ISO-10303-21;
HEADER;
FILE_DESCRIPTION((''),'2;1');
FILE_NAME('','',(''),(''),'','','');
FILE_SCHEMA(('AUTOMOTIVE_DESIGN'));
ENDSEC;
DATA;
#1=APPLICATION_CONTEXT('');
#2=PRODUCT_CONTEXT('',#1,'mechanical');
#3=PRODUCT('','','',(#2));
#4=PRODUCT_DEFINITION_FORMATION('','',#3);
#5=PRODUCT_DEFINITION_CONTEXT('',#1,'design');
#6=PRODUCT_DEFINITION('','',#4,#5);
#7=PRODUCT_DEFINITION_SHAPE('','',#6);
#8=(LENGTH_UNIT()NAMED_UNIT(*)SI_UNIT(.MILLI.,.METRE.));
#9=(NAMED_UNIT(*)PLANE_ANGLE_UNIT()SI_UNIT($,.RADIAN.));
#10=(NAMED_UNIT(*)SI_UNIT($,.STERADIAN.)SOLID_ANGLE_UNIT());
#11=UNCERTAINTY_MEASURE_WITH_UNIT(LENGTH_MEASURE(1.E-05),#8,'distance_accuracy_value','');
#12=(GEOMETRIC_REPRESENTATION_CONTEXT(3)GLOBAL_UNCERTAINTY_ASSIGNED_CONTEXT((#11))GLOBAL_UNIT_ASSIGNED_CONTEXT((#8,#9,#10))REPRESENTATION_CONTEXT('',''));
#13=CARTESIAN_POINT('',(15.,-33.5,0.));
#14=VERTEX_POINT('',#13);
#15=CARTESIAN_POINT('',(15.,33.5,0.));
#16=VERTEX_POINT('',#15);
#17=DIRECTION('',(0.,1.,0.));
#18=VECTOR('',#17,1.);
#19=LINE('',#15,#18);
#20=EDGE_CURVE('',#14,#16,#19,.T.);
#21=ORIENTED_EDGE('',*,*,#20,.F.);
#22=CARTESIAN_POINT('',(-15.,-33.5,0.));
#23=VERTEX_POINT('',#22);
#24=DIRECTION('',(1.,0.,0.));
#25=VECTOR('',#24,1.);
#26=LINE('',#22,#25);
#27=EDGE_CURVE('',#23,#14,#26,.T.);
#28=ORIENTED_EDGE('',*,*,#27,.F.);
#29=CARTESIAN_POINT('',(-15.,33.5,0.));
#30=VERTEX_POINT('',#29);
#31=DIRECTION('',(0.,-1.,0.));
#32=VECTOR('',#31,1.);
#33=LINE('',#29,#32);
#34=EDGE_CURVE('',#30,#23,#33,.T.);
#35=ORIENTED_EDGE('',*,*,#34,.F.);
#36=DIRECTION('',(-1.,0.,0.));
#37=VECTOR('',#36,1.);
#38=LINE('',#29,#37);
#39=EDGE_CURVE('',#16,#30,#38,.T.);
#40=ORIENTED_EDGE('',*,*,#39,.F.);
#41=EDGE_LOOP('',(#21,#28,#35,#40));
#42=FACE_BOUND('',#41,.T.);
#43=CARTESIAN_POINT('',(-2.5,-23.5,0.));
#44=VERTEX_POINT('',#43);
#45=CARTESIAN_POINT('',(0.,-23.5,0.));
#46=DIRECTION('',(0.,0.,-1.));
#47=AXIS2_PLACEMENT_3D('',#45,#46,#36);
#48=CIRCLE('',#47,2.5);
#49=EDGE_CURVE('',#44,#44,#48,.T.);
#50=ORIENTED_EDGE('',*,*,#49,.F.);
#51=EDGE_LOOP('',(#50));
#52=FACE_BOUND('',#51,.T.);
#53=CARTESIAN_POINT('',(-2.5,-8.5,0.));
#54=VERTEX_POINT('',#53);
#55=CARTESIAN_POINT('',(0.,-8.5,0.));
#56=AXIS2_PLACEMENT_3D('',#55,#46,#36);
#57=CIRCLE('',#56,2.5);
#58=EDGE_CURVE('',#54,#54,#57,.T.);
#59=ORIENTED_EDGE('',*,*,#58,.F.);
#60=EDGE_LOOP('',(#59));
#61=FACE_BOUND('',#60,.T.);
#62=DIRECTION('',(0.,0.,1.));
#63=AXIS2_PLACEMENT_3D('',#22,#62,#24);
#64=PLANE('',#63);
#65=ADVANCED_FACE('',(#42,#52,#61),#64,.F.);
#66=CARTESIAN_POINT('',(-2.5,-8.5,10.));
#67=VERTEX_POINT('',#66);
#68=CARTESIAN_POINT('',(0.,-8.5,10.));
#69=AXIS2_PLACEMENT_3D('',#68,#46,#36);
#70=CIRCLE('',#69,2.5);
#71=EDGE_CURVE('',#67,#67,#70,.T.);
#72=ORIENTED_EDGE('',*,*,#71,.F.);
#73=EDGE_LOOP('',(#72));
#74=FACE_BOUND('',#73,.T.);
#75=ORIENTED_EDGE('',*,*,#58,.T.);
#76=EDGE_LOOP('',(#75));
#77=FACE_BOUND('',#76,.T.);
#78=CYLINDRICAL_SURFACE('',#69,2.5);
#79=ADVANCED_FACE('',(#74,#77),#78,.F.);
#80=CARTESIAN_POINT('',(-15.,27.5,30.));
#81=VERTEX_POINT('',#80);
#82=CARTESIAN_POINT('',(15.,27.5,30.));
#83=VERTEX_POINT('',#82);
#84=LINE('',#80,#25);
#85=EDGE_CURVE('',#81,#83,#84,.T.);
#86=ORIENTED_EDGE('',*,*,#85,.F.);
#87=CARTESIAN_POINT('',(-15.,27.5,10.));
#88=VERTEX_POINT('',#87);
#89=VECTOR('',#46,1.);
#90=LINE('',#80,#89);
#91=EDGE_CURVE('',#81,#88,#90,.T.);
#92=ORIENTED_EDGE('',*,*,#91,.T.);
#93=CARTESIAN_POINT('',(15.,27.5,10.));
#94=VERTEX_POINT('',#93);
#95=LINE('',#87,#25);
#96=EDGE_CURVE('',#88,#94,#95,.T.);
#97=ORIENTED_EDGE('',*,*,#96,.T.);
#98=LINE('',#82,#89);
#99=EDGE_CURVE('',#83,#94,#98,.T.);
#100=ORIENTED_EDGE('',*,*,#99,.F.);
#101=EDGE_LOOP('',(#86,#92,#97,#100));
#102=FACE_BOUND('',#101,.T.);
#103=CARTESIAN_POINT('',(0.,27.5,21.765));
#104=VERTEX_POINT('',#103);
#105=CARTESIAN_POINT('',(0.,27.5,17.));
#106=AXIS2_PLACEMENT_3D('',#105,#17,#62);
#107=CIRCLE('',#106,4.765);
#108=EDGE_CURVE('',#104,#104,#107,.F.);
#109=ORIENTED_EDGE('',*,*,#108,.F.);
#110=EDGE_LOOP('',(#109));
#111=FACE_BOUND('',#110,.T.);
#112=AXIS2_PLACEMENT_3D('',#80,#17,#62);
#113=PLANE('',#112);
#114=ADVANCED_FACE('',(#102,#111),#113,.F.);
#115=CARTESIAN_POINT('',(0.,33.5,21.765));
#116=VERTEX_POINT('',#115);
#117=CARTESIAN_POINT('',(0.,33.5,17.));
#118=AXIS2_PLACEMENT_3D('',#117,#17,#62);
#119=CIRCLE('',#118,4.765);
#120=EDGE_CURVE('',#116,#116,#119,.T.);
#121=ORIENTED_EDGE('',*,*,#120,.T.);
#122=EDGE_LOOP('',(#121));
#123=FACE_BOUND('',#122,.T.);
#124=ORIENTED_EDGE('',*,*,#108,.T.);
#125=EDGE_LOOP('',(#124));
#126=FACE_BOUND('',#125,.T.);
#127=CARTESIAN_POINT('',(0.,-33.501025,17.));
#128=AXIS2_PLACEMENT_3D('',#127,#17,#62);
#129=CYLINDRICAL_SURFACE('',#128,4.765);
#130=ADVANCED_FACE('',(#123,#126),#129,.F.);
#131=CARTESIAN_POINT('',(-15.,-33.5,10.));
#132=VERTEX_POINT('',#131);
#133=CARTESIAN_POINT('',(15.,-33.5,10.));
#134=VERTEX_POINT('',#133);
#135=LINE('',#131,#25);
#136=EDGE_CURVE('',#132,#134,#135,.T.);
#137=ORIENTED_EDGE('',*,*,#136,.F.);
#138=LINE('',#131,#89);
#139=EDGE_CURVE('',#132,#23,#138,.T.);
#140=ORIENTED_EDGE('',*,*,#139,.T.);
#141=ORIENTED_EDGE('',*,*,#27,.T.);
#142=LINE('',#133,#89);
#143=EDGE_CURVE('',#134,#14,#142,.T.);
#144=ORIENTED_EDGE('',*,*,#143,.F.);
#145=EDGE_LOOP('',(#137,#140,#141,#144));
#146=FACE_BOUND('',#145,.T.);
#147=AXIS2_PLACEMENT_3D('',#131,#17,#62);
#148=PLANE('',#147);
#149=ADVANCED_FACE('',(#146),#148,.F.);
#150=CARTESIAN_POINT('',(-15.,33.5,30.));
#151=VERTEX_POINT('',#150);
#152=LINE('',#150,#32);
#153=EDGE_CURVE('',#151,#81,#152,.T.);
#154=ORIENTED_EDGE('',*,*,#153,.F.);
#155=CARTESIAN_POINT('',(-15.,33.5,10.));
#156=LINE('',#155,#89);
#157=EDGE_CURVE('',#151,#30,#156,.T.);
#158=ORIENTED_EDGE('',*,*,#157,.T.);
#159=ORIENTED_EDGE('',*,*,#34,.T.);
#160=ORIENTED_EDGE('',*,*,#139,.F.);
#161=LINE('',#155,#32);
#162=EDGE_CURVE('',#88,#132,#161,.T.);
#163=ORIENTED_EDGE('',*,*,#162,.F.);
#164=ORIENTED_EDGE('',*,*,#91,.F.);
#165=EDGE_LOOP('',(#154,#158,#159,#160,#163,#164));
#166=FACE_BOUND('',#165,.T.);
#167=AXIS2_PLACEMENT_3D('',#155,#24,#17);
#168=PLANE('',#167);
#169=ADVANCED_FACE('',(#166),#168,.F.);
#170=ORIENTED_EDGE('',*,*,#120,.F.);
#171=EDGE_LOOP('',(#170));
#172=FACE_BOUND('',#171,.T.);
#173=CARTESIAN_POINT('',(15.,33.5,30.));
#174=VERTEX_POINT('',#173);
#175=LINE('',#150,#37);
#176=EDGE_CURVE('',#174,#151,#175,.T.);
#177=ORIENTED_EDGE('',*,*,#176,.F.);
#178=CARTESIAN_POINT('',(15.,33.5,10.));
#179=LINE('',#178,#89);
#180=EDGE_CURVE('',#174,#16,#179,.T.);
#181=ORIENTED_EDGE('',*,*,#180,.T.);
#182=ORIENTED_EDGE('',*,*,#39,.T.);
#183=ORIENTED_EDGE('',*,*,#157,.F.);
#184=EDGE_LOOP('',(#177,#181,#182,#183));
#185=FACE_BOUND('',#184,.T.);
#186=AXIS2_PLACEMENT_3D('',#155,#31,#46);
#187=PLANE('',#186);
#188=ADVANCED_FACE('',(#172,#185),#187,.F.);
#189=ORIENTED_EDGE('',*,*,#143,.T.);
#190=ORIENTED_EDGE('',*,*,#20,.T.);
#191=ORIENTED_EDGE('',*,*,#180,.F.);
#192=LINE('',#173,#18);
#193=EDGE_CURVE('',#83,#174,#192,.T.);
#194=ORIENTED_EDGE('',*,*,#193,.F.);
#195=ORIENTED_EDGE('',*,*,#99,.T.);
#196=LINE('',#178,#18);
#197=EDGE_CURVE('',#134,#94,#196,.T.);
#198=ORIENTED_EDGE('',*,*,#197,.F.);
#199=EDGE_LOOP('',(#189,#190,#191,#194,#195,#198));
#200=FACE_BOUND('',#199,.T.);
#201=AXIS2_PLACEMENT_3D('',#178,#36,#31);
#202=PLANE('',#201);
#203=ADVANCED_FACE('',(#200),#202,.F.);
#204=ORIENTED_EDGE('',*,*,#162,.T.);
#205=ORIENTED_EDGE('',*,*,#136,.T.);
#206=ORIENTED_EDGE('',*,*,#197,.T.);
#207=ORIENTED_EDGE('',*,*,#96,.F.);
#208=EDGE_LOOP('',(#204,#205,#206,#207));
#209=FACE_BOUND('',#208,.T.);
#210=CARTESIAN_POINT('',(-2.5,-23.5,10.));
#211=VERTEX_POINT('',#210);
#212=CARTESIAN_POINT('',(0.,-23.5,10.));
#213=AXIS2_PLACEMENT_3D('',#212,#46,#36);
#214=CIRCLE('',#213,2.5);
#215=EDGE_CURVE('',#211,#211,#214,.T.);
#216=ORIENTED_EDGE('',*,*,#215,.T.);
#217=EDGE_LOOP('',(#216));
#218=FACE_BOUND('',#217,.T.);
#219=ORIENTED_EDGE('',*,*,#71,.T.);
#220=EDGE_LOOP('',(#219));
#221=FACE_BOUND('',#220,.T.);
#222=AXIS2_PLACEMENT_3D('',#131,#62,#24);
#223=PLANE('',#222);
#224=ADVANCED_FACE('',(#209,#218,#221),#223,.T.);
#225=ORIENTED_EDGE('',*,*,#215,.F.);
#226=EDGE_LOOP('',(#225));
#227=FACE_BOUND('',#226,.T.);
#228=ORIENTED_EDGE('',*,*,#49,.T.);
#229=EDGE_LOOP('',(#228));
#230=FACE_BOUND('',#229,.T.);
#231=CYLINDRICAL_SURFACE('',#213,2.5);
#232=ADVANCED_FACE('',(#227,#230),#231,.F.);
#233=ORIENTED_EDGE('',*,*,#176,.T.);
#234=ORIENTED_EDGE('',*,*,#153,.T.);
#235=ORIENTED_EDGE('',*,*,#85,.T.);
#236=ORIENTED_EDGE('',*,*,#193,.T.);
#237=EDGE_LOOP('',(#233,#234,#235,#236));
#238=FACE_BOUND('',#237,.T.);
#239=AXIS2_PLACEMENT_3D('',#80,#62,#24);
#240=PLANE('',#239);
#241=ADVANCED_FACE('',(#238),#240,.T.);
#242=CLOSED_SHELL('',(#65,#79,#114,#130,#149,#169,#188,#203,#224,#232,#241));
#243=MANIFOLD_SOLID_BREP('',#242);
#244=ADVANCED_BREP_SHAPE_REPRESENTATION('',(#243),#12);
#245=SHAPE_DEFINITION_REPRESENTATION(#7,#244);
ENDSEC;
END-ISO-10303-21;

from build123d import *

# Parameters (mm, degrees)
ESBO_O1_W                = 30
ESBO_O1_H                = 67
RESSALTO_EXTRUS_O1_DEPTH = 10
ESBO_O2_W                = 30
ESBO_O2_H                = 6
RESSALTO_EXTRUS_O2_DEPTH = 20
CORTE_EXTRUS_O1_REACH    = 76.927
ESBO_O3_R                = 4.765
ESBO_O4_R                = 2.5
CORTE_EXTRUS_O2_DEPTH    = 10


with BuildPart() as part:
    # Esboço1 → Ressalto-extrusão1 (new body)
    with BuildSketch(Plane.XY):
        Rectangle(ESBO_O1_W, ESBO_O1_H)
    extrude(amount=RESSALTO_EXTRUS_O1_DEPTH)

    # Esboço2 → Ressalto-extrusão2 (add)
    with BuildSketch(Plane.XY.offset(10)):
        with Locations((0, 30.5)):
            Rectangle(ESBO_O2_W, ESBO_O2_H)
    extrude(amount=RESSALTO_EXTRUS_O2_DEPTH)

    # Esboço3 → Corte-extrusão1 (cut, up to next)
    with BuildSketch(Plane(origin=(0, 33.5, 0), x_dir=(1, 0, 0), z_dir=(0, 1, 0)), mode=Mode.PRIVATE) as corte_extrus_o1_sk1:
        with Locations(Location((0, -17, 0), (0, 0, 270))):
            Circle(ESBO_O3_R)
    corte_extrus_o1_tool1 = extrude(corte_extrus_o1_sk1.sketch, amount=-CORTE_EXTRUS_O1_REACH, mode=Mode.PRIVATE) & part.part
    add(corte_extrus_o1_tool1.solids().sort_by_distance((0, 33.5, 17))[0], mode=Mode.SUBTRACT)

    # Esboço4 → Corte-extrusão2 (cut)
    with BuildSketch(Plane(origin=(0, 0, 0), x_dir=(-1, 0, 0), z_dir=(0, 0, -1))):
        with Locations((0, -23.5)):
            Circle(ESBO_O4_R)
        with Locations((0, -8.5)):
            Circle(ESBO_O4_R)
    extrude(amount=-CORTE_EXTRUS_O2_DEPTH, mode=Mode.SUBTRACT)


solid = part.part
